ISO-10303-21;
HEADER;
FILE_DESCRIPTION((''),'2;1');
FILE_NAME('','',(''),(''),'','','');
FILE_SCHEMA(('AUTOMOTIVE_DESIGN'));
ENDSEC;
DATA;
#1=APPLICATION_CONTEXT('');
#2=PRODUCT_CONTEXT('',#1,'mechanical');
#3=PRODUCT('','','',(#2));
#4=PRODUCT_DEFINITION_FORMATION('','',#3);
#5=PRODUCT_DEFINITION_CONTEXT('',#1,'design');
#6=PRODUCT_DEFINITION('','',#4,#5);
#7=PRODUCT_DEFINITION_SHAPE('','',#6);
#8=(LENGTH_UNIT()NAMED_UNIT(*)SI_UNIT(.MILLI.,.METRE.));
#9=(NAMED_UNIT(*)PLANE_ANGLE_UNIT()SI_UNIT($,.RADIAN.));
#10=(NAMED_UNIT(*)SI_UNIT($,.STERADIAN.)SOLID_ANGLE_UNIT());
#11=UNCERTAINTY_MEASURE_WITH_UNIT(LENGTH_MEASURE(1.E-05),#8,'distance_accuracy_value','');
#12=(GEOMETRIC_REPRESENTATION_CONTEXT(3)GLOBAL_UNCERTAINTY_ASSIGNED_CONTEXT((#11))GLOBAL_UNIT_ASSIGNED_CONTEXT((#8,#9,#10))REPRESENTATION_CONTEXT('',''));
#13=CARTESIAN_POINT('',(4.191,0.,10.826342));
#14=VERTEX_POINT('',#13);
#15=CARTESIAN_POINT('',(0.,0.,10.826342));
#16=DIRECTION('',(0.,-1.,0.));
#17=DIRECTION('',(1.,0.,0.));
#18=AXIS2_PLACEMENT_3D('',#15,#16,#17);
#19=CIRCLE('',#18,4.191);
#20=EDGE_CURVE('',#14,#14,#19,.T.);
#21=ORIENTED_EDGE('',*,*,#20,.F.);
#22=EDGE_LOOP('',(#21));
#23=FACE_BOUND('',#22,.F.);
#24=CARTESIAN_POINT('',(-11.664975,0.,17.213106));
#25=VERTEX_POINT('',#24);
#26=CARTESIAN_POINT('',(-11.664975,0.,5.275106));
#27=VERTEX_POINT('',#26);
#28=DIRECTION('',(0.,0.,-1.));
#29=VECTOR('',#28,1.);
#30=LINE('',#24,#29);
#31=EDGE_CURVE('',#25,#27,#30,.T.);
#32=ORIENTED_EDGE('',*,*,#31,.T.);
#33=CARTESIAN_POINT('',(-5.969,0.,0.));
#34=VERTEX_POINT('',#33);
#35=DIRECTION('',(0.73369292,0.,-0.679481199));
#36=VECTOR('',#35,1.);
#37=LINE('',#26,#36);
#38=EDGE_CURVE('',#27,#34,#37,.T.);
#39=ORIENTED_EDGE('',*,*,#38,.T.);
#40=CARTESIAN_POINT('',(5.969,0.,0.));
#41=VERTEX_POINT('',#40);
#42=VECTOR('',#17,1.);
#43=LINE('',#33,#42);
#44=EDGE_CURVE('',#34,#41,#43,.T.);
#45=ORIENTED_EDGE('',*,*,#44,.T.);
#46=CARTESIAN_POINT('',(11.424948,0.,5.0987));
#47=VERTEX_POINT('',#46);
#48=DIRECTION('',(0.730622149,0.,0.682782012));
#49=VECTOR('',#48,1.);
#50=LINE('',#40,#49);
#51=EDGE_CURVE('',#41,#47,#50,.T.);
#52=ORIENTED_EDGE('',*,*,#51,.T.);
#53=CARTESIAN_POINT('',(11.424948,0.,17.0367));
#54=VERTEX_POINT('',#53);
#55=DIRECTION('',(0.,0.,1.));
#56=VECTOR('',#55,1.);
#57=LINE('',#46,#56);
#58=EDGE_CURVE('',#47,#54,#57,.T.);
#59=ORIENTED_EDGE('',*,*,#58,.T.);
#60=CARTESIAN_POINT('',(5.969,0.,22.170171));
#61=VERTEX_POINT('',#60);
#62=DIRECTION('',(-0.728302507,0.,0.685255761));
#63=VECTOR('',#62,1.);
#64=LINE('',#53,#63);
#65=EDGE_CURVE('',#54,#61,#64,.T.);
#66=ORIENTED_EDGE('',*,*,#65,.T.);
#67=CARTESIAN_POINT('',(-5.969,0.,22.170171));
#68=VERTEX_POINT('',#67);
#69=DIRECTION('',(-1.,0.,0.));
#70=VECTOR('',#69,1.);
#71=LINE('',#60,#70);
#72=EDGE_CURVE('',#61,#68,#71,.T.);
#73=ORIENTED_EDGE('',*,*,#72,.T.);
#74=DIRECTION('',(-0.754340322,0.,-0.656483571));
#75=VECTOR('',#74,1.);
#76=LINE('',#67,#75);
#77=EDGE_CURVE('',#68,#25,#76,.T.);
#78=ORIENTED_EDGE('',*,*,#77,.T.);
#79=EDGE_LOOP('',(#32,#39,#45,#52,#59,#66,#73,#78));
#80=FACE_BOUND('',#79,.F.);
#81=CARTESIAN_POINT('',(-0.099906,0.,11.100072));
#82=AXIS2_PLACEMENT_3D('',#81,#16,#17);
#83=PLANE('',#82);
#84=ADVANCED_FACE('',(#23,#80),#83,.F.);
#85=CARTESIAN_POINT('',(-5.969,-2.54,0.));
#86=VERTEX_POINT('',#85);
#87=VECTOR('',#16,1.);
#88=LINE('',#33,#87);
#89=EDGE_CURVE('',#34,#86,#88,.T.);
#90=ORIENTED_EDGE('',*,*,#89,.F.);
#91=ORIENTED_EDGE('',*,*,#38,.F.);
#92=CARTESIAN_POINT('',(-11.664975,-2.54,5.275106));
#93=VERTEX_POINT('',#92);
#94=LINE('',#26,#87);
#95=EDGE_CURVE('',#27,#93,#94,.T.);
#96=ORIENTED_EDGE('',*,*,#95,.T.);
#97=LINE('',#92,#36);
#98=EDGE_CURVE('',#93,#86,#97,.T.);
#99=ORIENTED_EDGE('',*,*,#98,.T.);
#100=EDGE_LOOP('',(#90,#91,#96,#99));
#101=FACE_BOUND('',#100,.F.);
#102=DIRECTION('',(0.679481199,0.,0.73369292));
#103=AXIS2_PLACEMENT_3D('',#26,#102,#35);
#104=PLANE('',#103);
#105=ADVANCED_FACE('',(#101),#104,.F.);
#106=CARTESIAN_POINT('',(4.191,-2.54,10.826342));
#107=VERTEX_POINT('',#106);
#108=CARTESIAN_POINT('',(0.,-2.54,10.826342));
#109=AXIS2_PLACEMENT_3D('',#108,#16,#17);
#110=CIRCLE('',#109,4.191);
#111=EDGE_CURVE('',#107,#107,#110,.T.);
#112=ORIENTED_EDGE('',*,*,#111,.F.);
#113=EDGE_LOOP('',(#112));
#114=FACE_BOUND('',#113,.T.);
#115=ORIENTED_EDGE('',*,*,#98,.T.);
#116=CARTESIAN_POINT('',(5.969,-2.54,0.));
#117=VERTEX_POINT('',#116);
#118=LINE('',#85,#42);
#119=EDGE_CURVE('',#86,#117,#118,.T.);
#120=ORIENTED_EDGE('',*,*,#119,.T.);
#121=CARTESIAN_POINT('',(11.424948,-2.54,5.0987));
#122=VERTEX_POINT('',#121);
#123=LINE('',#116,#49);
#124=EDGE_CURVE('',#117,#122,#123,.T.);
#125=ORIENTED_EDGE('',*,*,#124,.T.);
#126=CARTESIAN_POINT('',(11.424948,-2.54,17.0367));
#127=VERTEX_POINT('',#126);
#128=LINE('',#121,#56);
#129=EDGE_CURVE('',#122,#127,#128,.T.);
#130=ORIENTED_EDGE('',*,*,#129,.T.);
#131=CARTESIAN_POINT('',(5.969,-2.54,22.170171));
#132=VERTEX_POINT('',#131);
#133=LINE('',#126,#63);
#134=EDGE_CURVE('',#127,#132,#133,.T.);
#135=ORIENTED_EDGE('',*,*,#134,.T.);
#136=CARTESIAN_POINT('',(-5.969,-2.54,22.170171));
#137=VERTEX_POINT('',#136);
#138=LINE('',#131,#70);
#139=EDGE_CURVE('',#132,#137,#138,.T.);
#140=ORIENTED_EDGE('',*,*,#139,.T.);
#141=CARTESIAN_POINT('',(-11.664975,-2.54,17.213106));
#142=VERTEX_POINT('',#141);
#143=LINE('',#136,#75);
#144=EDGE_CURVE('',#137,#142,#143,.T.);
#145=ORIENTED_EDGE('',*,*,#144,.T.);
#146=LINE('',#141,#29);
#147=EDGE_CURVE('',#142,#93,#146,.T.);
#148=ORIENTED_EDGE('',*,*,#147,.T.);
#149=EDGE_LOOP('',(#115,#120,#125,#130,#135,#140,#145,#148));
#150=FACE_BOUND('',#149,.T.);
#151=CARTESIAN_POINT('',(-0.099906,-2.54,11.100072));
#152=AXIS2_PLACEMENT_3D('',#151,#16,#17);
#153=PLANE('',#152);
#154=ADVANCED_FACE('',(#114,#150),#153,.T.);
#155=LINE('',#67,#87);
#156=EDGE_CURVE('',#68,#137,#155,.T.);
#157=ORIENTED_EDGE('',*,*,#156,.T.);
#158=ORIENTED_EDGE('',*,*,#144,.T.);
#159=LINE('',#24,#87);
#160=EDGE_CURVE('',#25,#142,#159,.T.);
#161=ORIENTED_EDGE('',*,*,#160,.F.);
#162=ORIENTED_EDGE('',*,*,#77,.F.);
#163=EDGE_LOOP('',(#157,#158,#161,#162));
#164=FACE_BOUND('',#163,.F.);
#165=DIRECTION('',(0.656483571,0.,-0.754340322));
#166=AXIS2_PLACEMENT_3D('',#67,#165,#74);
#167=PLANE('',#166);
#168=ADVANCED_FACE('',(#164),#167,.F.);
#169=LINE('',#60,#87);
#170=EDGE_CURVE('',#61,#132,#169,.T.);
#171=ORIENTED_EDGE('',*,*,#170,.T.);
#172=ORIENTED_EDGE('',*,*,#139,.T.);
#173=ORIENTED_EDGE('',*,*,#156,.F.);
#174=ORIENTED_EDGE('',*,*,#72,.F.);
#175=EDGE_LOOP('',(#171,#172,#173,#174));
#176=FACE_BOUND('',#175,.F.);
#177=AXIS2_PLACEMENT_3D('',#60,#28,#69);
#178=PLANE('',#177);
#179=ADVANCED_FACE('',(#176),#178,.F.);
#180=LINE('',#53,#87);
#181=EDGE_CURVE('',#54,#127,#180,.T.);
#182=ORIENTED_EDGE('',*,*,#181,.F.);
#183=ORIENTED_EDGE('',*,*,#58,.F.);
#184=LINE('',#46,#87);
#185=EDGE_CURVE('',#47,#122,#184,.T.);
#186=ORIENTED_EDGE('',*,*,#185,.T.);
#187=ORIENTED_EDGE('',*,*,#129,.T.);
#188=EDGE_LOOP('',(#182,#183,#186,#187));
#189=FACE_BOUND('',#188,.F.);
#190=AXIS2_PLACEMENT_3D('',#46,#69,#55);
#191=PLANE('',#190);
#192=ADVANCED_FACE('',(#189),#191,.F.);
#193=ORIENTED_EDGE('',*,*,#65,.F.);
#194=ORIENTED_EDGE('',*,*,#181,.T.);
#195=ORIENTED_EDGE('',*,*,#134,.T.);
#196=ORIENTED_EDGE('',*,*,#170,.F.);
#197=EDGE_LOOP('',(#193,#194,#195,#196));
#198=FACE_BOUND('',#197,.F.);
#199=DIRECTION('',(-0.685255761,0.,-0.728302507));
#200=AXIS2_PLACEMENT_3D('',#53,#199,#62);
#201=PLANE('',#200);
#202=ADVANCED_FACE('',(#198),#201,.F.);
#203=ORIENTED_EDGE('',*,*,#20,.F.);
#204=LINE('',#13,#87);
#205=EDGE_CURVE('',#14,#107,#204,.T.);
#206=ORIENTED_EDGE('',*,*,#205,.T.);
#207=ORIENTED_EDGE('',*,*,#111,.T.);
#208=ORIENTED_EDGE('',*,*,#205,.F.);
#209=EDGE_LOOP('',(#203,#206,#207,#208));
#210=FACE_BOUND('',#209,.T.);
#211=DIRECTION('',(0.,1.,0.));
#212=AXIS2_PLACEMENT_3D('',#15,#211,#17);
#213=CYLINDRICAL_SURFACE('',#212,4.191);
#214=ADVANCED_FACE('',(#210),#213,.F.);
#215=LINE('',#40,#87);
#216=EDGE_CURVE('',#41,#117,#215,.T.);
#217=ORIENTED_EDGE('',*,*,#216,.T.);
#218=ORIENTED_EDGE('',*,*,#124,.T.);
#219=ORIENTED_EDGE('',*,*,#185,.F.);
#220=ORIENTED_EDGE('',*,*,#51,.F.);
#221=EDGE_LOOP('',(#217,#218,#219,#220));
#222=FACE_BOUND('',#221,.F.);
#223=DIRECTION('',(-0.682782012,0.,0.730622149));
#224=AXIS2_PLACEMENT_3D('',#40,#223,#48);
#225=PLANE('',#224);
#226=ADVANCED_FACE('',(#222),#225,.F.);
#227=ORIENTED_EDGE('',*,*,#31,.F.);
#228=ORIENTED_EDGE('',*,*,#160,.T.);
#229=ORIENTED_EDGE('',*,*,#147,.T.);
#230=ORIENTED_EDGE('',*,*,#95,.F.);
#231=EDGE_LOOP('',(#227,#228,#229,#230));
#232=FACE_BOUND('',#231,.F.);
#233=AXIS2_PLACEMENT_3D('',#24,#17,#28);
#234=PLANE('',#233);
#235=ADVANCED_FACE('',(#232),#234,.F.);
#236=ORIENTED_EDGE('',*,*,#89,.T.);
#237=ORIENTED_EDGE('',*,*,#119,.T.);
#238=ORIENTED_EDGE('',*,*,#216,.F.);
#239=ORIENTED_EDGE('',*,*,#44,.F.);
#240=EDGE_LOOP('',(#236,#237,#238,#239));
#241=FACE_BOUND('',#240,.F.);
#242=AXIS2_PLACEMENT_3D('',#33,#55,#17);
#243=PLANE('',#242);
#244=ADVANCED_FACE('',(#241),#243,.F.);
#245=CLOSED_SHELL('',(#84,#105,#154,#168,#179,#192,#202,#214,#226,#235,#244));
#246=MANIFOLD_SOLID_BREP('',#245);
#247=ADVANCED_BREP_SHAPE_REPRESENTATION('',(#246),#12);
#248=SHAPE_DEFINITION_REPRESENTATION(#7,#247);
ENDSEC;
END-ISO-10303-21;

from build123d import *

# Parameters (mm, degrees)
F0_R     = 4.191
F1_DEPTH = 2.54


with BuildPart() as f1:
    # F0 (on Front) → F1 (new body)
    with BuildSketch(Plane.XZ):
        Polygon((-11.664975, 17.213106), (-11.664975, 11.244106), (-11.664975, 5.275106), (-5.969, 0), (0, 0), (5.969, 0), (11.424948, 5.0987), (11.424948, 11.0677), (11.424948, 17.0367), (5.969, 22.170171), (0, 22.170171), (-5.969, 22.170171), align=None)
        with Locations((0, 10.826342)):
            Circle(F0_R, mode=Mode.SUBTRACT)
    extrude(amount=F1_DEPTH)


solid = f1.part
